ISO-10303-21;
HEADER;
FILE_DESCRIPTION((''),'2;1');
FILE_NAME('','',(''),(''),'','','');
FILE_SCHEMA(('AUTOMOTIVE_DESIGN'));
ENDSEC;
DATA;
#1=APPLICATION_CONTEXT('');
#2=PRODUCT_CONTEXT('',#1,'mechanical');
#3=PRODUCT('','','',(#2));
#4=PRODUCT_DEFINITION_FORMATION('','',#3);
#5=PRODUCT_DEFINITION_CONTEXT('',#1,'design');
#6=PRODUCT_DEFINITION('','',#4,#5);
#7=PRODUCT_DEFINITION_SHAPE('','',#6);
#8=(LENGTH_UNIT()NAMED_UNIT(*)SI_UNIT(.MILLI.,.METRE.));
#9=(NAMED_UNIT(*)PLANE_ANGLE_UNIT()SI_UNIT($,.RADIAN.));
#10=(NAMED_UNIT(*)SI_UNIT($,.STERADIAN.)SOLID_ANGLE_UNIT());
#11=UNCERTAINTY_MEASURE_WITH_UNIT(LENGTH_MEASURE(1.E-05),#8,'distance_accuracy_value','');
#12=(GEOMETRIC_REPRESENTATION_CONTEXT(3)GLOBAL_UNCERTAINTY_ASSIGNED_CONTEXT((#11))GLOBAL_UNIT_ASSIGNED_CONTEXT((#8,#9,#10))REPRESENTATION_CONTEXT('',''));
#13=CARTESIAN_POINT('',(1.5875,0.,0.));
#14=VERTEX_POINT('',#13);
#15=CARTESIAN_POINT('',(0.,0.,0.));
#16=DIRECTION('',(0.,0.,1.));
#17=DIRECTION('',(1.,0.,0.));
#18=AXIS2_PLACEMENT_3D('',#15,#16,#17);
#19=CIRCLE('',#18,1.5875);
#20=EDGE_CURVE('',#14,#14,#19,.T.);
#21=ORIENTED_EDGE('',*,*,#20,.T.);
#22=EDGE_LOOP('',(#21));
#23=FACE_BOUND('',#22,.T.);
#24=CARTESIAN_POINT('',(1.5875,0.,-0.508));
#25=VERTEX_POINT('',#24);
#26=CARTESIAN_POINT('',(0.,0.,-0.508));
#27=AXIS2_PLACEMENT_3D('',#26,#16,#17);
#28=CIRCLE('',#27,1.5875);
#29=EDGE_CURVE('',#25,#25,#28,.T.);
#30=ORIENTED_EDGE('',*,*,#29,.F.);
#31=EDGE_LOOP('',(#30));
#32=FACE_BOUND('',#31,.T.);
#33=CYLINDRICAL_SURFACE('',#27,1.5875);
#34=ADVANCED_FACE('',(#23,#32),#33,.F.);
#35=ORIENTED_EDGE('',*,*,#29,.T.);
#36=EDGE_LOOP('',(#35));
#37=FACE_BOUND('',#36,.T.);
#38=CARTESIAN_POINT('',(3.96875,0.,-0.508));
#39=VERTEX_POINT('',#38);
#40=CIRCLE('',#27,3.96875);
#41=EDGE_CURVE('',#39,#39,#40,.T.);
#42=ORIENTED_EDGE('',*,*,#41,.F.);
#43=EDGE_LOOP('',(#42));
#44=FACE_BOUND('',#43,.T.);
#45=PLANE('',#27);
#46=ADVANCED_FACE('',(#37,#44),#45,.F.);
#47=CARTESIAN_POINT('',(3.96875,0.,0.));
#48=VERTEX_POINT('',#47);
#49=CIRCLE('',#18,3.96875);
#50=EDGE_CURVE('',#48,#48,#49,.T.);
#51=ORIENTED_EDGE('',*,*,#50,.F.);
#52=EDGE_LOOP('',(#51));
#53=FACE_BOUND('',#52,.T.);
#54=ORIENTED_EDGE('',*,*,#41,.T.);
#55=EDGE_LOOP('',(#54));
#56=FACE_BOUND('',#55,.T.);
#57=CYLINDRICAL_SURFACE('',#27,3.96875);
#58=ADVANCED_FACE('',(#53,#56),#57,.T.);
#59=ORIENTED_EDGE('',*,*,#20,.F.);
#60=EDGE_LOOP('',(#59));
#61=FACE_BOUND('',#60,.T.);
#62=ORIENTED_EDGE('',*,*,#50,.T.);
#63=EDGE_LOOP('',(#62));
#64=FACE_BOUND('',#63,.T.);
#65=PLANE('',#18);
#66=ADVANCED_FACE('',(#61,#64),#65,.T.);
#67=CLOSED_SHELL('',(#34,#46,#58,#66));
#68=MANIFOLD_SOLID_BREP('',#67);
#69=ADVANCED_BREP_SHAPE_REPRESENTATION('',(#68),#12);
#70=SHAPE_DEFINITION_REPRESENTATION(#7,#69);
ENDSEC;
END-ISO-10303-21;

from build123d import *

# Parameters (mm, degrees)
SKETCH1_R      = 3.96875
SKETCH1_R_2    = 1.5875
EXTRUDE1_DEPTH = 0.508


with BuildPart() as part:
    # Sketch1 → Extrude1 (new body)
    with BuildSketch(Plane.XY):
        Circle(SKETCH1_R)
        Circle(SKETCH1_R_2, mode=Mode.SUBTRACT)
    extrude(amount=-EXTRUDE1_DEPTH)


solid = part.part
